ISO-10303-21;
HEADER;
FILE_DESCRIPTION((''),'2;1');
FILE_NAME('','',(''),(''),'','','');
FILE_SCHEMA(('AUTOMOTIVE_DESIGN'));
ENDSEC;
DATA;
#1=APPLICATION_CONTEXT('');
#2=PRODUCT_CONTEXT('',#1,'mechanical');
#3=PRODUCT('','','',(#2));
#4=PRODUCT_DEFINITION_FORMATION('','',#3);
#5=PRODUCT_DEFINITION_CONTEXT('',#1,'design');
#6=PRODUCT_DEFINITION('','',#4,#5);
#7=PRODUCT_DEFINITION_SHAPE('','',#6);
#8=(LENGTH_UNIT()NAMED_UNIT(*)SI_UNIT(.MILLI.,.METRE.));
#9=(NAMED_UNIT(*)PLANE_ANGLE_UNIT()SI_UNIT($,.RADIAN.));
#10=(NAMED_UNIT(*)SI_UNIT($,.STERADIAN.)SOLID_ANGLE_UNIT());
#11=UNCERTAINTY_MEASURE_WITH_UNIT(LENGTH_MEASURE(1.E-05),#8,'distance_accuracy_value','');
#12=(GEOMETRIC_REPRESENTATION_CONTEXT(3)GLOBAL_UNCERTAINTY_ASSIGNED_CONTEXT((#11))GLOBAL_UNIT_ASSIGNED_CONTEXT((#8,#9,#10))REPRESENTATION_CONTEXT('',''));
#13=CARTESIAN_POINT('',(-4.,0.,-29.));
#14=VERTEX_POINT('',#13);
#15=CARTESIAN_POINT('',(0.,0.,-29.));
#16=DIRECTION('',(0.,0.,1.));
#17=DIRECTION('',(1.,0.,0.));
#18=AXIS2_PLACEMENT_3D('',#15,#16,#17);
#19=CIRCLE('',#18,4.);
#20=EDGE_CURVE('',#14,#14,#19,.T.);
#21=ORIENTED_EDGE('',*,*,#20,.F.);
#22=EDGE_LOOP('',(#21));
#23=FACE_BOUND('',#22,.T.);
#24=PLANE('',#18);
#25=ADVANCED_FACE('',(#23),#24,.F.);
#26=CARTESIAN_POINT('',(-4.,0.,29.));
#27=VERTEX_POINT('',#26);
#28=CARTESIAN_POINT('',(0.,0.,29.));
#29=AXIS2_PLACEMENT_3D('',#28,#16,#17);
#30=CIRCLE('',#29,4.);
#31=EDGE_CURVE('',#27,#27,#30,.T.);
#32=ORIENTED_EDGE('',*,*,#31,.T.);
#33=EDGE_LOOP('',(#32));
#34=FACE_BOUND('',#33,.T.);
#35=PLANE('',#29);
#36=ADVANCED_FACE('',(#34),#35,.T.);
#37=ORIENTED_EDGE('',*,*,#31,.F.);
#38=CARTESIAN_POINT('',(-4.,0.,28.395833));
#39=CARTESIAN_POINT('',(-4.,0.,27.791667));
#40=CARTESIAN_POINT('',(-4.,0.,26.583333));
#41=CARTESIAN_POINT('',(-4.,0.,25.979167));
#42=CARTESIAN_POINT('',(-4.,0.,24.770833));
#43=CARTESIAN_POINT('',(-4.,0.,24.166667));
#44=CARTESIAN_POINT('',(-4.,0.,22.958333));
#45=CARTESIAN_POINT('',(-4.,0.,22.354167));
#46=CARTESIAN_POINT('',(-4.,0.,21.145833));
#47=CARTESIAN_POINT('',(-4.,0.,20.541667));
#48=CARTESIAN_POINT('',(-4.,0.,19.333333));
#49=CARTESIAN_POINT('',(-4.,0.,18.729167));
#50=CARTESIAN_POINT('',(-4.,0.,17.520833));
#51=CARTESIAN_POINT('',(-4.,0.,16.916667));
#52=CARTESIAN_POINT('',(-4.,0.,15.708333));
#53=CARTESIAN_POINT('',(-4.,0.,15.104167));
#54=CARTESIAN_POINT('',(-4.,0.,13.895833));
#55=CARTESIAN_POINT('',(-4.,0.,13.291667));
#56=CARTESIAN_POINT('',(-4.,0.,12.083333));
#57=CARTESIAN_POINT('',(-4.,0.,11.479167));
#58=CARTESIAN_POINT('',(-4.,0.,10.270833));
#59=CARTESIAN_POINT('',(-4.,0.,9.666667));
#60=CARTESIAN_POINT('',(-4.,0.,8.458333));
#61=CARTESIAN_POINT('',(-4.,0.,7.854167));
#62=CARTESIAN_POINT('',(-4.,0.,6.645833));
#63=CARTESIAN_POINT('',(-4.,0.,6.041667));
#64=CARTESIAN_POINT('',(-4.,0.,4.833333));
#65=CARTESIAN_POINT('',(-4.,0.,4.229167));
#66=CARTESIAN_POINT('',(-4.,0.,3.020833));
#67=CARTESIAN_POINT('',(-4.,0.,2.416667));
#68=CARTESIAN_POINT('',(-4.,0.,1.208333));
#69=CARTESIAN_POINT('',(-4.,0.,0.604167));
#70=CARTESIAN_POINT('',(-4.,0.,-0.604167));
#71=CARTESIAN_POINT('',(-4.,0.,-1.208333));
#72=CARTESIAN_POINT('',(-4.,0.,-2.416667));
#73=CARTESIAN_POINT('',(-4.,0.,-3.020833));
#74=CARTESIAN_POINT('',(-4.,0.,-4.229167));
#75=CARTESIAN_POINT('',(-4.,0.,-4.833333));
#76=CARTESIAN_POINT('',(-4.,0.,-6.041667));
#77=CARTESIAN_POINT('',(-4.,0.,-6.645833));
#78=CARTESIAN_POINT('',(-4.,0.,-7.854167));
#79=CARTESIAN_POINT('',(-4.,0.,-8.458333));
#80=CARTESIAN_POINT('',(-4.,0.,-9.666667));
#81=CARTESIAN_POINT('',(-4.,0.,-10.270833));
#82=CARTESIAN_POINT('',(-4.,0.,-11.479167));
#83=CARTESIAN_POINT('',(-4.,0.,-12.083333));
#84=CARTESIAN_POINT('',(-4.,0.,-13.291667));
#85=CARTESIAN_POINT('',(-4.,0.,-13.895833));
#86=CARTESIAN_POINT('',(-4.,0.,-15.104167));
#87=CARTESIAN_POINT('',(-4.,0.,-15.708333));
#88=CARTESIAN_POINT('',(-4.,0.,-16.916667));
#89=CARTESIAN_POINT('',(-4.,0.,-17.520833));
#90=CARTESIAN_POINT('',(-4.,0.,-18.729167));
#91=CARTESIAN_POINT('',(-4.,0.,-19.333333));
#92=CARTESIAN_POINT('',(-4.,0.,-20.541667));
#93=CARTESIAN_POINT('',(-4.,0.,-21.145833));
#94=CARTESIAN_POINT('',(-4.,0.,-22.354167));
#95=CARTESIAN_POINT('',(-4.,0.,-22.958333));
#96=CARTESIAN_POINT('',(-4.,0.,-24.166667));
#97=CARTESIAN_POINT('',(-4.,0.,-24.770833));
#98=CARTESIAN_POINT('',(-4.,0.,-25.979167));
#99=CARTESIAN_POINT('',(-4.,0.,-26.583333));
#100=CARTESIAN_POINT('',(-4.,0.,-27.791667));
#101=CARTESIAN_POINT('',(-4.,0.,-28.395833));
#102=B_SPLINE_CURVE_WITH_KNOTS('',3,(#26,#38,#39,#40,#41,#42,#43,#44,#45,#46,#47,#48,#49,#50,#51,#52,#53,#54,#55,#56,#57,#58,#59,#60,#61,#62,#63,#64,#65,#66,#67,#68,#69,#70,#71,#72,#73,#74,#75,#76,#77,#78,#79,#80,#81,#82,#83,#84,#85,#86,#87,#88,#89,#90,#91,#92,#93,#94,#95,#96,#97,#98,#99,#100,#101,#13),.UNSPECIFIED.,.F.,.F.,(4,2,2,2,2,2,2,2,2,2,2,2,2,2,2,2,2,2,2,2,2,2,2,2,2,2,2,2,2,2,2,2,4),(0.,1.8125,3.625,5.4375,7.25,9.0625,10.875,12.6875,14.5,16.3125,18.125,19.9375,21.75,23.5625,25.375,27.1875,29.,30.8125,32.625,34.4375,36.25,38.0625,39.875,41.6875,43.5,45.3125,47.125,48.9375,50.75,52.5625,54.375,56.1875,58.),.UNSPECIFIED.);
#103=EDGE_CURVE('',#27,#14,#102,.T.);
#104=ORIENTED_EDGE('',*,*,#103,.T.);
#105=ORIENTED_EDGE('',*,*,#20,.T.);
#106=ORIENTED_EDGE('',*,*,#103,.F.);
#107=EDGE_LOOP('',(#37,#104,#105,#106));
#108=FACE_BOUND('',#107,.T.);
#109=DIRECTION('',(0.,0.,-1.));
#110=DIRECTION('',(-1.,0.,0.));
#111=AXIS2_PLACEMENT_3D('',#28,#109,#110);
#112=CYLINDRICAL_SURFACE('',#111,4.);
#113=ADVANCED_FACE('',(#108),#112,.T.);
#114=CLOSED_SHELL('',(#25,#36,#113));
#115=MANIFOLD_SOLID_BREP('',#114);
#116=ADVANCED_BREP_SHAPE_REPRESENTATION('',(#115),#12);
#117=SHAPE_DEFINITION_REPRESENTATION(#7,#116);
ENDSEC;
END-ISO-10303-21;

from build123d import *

# Parameters (mm, degrees)
SKETCH1_R           = 4
BOSS_EXTRUDE1_DEPTH = 29


with BuildPart() as part:
    # Sketch1 → Boss-Extrude1 (new, symmetric)
    with BuildSketch(Plane.XY):
        with Locations(Location((0, 0, 0), (0, 0, 180))):
            Circle(SKETCH1_R)
    extrude(amount=BOSS_EXTRUDE1_DEPTH, both=True)


solid = part.part
